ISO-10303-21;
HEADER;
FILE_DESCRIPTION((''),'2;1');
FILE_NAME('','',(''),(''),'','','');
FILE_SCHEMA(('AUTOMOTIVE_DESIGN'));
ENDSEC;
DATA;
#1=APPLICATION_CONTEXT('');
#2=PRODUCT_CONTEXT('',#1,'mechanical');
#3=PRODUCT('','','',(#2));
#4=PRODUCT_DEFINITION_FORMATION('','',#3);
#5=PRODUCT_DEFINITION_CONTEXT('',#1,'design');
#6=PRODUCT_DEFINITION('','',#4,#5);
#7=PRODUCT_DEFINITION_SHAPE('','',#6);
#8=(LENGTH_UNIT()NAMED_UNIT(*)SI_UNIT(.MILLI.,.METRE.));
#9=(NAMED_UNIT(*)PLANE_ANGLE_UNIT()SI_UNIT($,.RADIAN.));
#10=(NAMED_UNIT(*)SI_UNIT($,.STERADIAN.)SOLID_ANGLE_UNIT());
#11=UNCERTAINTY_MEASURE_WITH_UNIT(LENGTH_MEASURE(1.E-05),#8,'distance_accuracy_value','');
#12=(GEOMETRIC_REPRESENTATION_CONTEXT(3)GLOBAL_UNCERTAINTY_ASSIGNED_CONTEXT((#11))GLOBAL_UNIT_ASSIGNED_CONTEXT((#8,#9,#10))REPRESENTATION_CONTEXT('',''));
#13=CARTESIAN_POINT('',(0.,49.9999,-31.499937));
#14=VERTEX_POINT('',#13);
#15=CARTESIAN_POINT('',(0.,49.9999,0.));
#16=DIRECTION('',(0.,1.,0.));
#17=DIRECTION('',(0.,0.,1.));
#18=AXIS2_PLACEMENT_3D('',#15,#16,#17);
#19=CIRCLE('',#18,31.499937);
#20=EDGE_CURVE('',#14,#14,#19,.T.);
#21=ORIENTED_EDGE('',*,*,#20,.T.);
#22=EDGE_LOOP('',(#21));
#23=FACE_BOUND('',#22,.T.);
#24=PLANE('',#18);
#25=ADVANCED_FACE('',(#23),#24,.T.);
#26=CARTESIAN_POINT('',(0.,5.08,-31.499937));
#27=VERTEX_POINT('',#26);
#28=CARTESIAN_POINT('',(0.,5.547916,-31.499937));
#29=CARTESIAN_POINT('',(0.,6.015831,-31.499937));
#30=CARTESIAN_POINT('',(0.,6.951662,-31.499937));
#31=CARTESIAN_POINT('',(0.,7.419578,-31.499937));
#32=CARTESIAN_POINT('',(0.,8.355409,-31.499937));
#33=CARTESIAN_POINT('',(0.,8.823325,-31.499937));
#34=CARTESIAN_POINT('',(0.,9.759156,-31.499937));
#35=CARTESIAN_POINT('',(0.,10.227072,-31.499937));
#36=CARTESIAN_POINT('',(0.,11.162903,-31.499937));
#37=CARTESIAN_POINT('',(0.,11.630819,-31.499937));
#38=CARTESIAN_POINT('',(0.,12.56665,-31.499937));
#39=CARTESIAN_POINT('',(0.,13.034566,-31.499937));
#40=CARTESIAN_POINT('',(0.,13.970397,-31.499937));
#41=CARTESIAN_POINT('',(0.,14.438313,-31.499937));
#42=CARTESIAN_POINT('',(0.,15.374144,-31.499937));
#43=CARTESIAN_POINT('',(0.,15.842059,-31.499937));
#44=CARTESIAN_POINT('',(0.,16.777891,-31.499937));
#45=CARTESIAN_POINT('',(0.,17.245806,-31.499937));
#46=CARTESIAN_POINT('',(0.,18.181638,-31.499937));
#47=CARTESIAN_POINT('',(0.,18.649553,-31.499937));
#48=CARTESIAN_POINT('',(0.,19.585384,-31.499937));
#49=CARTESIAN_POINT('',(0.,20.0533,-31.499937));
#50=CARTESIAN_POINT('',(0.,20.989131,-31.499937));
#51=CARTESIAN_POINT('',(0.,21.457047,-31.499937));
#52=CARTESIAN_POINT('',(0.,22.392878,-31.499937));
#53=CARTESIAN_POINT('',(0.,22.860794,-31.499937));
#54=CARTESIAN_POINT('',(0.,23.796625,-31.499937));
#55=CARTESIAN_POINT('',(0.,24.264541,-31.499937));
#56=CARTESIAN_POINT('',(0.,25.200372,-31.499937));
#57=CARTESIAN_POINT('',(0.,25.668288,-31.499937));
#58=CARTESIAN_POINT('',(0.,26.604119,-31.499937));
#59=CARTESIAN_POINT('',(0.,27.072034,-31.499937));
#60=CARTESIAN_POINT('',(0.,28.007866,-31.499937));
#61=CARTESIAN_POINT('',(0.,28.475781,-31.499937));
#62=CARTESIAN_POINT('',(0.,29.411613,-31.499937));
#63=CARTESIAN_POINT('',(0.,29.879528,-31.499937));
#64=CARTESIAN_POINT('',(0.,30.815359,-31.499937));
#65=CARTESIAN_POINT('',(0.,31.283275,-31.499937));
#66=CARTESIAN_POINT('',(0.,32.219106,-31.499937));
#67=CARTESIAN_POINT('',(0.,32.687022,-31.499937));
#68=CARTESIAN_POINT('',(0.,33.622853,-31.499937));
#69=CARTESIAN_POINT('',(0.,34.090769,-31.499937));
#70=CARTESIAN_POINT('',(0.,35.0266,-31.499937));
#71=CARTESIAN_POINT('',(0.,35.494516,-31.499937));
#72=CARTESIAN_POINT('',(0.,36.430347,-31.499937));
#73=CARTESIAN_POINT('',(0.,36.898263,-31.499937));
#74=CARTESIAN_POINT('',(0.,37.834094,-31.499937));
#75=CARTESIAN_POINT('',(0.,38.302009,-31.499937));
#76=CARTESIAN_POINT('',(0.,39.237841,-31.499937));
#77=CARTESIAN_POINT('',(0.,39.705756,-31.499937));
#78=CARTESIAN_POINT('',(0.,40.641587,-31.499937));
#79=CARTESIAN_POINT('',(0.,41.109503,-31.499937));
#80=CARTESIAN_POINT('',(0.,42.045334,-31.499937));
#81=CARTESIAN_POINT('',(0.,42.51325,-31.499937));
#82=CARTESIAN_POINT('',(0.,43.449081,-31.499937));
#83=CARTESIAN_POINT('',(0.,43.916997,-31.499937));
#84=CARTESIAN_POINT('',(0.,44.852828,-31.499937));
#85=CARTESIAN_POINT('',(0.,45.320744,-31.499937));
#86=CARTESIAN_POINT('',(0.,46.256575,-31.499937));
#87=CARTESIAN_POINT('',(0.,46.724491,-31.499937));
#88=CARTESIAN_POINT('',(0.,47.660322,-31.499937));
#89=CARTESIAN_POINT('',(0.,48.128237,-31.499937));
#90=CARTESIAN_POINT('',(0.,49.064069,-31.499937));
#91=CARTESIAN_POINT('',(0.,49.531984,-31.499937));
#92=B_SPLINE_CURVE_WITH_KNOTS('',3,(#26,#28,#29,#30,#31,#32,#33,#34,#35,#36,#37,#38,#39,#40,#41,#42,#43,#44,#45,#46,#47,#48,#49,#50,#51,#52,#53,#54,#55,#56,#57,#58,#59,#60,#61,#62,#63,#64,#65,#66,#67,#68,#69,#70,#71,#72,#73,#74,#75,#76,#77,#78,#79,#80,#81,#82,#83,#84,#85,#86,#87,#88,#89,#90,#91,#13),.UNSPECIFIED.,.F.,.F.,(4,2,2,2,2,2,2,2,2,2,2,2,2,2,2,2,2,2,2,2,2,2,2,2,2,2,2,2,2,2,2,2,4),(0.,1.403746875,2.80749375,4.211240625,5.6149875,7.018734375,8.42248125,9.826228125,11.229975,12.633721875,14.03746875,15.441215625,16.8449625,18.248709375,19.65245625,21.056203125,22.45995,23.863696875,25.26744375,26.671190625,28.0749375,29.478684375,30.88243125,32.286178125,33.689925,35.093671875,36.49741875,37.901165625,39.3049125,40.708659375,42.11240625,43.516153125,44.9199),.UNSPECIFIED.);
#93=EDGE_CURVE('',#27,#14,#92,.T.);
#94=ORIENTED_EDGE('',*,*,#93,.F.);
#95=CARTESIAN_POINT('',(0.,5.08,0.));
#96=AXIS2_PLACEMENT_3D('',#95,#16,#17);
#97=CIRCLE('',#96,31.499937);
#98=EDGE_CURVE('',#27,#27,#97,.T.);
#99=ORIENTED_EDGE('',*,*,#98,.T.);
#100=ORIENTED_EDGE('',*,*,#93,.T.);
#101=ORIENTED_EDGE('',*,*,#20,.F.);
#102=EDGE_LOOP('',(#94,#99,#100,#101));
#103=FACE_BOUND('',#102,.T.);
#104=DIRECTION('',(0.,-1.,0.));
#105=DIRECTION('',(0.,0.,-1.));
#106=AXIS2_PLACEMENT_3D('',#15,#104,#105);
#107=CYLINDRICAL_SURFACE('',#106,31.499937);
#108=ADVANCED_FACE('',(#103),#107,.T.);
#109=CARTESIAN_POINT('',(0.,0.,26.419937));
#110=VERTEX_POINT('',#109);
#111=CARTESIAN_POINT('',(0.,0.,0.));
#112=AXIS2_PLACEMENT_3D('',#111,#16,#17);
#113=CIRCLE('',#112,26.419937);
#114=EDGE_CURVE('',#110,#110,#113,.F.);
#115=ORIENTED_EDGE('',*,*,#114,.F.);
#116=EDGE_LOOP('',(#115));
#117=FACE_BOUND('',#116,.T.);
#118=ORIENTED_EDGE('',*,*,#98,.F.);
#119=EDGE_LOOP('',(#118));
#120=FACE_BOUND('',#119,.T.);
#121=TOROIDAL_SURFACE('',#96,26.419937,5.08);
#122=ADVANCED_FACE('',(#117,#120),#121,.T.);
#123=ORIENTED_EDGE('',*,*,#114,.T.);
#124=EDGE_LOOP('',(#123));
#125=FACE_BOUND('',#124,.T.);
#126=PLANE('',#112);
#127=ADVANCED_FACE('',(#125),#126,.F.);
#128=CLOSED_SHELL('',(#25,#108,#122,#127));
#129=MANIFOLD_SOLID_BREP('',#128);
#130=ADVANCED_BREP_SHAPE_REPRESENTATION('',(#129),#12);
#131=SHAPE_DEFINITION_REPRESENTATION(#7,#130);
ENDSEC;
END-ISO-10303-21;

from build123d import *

# Parameters (mm, degrees)
SKETCH1_R           = 31.499937
BOSS_EXTRUDE1_DEPTH = 49.9999
FILLET1_R           = 5.08


with BuildPart() as part:
    # Sketch1 → Boss-Extrude1 (new body)
    with BuildSketch(Plane(origin=(0, 0, 0), x_dir=(1, 0, 0), z_dir=(0, 1, 0))):
        with Locations(Location((0, 0, 0), (0, 0, 90))):
            Circle(SKETCH1_R)
    extrude(amount=BOSS_EXTRUDE1_DEPTH)

    # Fillet1
    fillet1_edges = [part.edges().sort_by_distance(p)[0] for p in [
        (0, 0, 31.499937),
    ]]
    fillet(fillet1_edges, radius=FILLET1_R)


solid = part.part
